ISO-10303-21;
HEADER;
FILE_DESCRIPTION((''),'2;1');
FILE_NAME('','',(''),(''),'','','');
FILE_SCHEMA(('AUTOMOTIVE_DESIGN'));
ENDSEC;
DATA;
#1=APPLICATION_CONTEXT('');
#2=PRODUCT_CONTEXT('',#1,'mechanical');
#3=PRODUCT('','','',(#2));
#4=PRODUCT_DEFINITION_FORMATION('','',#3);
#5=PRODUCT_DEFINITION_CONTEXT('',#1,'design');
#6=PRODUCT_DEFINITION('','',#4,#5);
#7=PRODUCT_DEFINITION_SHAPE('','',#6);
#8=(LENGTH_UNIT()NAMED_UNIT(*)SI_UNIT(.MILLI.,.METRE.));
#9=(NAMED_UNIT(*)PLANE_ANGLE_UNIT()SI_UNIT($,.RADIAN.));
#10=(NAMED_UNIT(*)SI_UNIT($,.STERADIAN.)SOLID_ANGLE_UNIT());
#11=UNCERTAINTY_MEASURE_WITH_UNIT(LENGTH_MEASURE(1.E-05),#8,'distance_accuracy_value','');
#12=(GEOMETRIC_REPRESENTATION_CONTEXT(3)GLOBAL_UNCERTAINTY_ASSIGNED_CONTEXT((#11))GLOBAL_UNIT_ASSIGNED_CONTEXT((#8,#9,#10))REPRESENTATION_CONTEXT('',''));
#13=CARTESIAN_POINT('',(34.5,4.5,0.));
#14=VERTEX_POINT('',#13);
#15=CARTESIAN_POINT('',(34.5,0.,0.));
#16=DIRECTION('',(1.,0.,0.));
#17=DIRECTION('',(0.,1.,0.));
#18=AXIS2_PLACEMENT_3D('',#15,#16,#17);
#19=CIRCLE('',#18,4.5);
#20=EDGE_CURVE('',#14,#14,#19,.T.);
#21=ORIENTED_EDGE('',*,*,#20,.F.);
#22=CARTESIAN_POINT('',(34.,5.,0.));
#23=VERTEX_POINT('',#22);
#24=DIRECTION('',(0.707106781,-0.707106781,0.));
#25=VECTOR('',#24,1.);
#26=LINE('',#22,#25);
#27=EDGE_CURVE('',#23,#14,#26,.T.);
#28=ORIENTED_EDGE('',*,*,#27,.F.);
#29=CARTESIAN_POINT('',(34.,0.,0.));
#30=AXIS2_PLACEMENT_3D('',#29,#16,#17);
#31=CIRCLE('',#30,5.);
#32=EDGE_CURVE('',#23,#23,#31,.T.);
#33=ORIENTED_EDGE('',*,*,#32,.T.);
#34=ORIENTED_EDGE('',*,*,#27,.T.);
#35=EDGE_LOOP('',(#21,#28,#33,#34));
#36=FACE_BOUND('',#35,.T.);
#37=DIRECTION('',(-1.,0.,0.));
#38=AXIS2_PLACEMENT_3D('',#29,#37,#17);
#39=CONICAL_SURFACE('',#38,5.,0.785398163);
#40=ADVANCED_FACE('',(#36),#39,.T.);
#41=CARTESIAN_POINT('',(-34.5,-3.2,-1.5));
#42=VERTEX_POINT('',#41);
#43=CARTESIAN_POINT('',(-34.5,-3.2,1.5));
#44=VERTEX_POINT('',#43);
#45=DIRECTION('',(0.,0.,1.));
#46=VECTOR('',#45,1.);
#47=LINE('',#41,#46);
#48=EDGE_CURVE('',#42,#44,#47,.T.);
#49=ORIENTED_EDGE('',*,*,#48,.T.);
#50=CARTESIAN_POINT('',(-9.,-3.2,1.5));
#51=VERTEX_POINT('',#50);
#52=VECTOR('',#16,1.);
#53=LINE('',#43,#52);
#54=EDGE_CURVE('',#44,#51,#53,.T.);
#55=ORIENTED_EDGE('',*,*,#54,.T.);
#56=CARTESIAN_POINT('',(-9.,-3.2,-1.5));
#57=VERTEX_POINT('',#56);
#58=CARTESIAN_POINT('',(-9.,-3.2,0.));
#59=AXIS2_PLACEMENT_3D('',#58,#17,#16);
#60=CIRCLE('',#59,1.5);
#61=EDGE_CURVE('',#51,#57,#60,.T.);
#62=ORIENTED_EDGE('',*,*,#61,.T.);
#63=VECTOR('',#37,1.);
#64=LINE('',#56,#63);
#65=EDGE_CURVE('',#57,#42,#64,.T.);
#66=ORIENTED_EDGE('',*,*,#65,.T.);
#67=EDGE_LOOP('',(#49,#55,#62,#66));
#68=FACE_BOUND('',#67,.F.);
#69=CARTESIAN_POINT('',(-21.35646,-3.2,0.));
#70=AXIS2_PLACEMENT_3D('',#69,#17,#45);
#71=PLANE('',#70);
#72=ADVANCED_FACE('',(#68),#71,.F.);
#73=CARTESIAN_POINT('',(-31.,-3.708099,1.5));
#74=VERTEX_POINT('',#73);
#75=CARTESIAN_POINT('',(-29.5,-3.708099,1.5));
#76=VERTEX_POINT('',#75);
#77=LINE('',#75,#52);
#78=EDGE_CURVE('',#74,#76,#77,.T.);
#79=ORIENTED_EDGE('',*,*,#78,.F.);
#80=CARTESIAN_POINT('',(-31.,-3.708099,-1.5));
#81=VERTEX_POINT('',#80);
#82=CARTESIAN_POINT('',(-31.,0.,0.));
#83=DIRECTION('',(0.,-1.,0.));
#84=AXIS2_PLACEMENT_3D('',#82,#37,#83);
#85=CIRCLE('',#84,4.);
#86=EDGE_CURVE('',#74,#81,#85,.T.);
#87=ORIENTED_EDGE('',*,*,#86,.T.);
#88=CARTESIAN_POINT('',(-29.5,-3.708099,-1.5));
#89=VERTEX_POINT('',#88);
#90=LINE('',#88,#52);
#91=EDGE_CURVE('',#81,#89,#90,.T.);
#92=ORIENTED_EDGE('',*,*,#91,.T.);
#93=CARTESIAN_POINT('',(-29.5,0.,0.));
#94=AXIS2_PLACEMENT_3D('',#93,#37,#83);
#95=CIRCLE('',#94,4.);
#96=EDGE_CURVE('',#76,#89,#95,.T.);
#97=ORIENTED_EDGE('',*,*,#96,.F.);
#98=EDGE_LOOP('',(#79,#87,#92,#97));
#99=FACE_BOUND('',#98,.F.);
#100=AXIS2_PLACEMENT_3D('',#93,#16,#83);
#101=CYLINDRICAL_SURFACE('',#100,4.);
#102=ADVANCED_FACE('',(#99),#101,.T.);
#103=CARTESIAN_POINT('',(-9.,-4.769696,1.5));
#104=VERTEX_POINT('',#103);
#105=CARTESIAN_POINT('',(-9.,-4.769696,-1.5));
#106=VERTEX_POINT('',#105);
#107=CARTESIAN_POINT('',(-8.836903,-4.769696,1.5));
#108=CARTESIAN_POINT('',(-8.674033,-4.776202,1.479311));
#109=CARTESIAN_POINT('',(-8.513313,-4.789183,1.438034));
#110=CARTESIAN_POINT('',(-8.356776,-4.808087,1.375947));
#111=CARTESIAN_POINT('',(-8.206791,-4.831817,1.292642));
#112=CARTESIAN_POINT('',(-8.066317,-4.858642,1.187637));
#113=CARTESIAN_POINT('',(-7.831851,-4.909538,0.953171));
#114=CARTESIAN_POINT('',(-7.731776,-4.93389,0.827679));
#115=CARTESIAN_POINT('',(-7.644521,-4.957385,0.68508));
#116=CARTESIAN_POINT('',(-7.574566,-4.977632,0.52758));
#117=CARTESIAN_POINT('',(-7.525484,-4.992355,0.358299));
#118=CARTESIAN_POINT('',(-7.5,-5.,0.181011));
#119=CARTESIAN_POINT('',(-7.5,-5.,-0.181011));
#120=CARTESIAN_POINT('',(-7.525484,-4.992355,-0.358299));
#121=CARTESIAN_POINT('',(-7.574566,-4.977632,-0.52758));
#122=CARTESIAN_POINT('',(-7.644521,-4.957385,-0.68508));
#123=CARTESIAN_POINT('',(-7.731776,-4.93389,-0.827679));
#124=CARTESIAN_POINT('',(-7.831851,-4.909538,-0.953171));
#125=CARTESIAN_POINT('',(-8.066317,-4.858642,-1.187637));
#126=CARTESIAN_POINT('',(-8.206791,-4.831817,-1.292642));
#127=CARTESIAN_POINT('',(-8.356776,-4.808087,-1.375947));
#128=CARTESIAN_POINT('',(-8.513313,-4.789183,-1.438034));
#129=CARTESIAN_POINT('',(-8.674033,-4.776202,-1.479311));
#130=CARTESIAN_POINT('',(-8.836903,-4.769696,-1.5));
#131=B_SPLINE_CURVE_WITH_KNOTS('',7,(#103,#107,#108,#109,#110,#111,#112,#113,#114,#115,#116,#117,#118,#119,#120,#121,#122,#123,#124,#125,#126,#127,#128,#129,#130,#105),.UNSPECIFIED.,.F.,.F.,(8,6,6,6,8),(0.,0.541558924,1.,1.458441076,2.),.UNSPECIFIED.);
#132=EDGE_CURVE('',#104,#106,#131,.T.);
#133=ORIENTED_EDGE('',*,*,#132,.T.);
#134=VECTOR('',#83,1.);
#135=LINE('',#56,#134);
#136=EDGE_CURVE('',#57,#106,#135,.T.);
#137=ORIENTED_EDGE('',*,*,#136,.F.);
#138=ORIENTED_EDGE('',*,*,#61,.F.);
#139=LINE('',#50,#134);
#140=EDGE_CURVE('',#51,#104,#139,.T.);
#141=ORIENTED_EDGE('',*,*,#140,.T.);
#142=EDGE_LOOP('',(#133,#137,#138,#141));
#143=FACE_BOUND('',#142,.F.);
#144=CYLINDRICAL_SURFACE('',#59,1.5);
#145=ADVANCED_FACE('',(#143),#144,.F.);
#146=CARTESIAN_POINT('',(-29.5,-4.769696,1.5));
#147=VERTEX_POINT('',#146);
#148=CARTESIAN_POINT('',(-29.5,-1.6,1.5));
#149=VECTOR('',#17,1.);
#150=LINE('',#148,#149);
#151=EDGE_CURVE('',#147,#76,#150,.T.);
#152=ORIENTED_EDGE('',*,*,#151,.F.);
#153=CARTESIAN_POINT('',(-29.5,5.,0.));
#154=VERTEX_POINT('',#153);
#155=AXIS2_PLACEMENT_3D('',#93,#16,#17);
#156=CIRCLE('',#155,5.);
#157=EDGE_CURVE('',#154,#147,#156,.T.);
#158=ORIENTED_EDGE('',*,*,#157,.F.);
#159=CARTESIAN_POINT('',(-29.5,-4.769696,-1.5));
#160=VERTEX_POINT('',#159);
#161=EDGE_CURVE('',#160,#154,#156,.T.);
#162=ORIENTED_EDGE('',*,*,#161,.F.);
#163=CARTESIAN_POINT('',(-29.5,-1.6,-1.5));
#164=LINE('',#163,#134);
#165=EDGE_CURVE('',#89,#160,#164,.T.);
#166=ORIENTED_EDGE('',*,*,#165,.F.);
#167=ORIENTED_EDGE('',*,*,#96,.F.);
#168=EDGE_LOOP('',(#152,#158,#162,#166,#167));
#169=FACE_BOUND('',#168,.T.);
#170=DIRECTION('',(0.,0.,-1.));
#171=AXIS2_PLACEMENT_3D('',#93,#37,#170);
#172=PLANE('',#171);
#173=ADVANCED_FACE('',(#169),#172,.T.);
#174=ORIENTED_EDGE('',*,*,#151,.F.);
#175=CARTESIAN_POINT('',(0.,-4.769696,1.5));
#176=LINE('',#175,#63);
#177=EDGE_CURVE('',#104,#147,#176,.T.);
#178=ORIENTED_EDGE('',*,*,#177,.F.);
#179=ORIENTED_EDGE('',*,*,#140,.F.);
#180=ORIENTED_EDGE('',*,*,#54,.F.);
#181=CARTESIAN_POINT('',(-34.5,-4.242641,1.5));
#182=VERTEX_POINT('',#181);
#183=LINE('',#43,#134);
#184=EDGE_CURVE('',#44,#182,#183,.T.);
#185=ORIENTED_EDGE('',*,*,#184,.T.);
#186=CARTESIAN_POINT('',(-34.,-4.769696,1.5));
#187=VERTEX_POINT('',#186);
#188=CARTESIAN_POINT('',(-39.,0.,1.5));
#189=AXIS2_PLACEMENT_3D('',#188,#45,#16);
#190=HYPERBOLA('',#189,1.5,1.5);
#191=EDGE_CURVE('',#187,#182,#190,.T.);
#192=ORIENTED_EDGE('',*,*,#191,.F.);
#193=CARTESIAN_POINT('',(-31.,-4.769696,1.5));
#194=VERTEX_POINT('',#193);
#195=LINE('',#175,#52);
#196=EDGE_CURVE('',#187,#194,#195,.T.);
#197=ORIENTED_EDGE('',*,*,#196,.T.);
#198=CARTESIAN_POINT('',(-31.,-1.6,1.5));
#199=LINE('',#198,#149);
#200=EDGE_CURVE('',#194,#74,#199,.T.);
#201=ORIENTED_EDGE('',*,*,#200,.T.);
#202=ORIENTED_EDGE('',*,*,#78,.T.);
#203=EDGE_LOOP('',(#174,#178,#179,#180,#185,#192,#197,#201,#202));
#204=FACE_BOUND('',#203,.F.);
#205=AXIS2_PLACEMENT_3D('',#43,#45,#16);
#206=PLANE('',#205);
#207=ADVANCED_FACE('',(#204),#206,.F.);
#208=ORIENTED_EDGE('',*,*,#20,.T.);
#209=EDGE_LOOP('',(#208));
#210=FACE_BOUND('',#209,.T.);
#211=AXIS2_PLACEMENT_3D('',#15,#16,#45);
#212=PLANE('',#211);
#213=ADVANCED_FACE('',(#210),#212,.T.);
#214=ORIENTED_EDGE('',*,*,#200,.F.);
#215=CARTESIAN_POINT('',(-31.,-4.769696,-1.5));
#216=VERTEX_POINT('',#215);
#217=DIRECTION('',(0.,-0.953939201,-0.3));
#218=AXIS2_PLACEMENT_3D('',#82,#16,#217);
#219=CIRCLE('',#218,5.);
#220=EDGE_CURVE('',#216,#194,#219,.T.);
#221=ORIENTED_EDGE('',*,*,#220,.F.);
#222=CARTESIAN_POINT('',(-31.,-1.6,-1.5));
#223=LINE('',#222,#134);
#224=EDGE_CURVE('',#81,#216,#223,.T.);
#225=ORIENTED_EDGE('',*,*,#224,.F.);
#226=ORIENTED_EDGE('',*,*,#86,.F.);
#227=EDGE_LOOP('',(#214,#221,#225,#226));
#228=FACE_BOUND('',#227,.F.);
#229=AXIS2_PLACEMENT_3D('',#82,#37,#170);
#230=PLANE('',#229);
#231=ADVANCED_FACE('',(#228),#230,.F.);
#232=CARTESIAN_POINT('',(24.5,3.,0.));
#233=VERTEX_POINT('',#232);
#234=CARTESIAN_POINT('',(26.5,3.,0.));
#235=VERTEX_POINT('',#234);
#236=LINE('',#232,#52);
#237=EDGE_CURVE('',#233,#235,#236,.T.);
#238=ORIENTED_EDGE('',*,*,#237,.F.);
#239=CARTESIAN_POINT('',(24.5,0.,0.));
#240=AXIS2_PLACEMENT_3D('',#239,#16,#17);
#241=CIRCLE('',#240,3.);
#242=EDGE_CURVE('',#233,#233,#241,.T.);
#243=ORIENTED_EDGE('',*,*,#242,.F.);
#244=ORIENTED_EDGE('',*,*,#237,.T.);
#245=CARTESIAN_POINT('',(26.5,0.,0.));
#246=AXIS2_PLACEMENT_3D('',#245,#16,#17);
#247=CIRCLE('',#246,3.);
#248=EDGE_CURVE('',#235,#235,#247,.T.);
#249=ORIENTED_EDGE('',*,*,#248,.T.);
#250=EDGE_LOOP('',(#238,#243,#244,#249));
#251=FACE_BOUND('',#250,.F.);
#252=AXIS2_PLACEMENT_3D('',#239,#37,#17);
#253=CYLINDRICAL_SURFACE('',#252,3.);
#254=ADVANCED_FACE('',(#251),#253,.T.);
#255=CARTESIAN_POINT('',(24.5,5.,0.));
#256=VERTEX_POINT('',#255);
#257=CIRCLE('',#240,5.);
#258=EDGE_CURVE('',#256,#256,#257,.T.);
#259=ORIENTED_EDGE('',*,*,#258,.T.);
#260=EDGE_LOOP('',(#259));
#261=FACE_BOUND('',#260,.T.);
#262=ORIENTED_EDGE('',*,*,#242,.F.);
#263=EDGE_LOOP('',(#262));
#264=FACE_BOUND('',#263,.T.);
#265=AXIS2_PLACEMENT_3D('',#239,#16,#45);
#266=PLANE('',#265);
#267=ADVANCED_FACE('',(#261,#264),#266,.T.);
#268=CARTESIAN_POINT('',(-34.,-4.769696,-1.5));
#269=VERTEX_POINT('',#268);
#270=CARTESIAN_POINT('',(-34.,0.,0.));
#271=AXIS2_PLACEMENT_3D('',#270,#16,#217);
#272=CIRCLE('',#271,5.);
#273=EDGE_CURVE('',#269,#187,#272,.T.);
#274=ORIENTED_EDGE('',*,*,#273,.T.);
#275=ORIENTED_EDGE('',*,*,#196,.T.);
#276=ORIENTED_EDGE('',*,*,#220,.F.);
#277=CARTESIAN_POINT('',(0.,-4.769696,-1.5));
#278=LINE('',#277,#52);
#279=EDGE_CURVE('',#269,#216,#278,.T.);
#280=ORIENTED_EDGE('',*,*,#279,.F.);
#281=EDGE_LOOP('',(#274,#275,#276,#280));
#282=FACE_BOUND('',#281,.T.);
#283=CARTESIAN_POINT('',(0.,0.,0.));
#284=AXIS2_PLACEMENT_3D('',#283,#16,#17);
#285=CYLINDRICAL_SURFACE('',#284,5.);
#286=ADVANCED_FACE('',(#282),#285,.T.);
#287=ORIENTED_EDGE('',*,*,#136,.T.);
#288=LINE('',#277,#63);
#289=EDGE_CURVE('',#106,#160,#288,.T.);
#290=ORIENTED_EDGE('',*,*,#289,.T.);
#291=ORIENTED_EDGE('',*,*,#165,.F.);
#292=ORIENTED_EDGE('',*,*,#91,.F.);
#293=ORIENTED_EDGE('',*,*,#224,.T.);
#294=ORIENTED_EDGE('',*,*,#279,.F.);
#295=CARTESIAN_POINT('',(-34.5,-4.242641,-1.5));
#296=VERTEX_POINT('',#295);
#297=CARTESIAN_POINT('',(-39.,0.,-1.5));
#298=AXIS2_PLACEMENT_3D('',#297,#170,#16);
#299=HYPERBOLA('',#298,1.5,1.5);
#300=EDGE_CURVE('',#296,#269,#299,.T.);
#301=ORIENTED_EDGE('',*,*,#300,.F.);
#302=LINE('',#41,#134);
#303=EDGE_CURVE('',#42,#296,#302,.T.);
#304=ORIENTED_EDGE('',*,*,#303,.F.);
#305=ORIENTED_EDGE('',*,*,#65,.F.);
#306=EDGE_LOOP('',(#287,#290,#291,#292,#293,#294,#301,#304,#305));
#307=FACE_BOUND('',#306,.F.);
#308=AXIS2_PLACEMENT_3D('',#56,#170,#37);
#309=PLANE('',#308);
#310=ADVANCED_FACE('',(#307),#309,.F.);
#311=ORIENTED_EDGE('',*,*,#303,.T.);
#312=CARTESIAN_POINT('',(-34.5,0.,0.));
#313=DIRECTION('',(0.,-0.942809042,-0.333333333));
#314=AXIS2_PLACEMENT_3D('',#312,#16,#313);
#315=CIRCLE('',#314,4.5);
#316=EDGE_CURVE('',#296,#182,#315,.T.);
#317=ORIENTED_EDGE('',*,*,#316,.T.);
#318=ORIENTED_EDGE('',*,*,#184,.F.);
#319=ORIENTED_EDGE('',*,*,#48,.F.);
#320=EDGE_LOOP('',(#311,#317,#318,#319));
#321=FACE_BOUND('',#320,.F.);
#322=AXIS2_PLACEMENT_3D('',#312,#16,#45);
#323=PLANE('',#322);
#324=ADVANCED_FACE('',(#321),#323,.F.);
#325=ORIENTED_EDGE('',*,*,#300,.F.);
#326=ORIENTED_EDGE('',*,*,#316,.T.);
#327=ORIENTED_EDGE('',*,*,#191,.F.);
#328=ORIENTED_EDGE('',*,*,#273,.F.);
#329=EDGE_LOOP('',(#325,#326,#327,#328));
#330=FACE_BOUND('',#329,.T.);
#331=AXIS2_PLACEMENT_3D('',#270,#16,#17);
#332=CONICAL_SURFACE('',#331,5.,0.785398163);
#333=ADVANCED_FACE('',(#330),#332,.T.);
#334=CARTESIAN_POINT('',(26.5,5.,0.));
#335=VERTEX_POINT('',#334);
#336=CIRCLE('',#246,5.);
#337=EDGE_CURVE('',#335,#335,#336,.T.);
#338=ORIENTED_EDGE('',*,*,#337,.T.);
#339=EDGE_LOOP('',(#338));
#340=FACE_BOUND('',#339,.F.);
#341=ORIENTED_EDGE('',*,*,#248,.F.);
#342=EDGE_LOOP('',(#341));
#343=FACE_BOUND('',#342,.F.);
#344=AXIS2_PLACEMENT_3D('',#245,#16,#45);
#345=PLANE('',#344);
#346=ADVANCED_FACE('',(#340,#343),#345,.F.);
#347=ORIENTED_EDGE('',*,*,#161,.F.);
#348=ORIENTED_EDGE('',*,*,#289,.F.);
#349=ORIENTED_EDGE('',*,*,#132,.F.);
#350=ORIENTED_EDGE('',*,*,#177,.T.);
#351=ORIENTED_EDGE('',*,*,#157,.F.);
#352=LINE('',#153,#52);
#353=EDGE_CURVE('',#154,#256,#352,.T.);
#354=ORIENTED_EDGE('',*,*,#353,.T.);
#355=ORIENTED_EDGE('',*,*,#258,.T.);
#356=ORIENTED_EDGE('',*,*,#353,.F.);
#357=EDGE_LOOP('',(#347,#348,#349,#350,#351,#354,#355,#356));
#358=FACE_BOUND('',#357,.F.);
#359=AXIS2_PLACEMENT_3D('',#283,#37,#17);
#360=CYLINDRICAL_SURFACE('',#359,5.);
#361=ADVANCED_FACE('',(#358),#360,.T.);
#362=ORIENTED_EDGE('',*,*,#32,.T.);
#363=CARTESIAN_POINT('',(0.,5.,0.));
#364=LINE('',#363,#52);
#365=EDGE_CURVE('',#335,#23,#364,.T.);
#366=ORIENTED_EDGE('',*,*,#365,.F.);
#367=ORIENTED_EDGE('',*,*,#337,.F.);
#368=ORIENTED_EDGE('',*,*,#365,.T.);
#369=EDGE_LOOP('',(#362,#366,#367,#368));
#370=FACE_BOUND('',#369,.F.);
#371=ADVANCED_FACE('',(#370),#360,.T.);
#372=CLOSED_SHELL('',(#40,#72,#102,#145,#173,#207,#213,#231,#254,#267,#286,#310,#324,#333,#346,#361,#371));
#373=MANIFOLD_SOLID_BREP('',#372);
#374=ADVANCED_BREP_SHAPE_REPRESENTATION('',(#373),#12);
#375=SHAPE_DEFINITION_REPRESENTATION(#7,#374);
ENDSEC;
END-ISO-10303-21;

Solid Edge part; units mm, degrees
sketch "Sketch1" plane through (0, 0, 0) normal (1, 0, 0) x (0, 1, 0)
  circle A0 centre (0, 0) radius 5
extrude "Protrusion1" add sketch "Sketch1" along normal mid plane 69
sketch "Sketch2" plane through (24.5, 0, 0) normal (1, 0, 0) x (0, 1, 0)
  circle A0 centre (0, 0) radius 5
extrude "ExtrudedCutout_1" cut sketch "Sketch2" along normal blind 2
sketch "Sketch3" plane through (24.5, 0, 0) normal (1, 0, 0) x (0, 1, 0)
  circle A0 centre (0, 0) radius 3
extrude "ExtrudedProtrusion_4" add sketch "Sketch3" along normal blind 2
sketch "Sketch4" plane through (-29.5, 0, 0) normal (-1, 0, 0) x (0, -1, 0)
  circle A0 centre (0, 0) radius 5
extrude "ExtrudedCutout_2" cut sketch "Sketch4" along normal blind 1.5
sketch "Sketch5" plane through (-29.5, 0, 0) normal (-1, 0, 0) x (0, -1, 0)
  circle A0 centre (0, 0) radius 4
extrude "ExtrudedProtrusion_5" add sketch "Sketch5" along normal blind 1.5
chamfer "Chamfer_1" distance 0.5 angle 45 2 edges at (-34.5, -5, 0) (34.5, -5, 0) measured on face at (-34.5, 3.2333, -3.4333)
sketch "Sketch6" plane through (0, -3.2, 0) normal (0, -1, 0) x (1, 0, 0)
  line L0 (-34.5, -1.5) -> (-34.5, 1.5)
  line L1 (-34.5, 1.5) -> (-9, 1.5)
  arc A0 (-9, 1.5) -> (-9, -1.5) centre (-9, 0) cw
  line L2 (-9, -1.5) -> (-34.5, -1.5)
extrude "ExtrudedCutout_3" cut sketch "Sketch6" along normal blind 30
cosmetic_thread "Thread_5" size "M10 x 1.25" thread depth 7
